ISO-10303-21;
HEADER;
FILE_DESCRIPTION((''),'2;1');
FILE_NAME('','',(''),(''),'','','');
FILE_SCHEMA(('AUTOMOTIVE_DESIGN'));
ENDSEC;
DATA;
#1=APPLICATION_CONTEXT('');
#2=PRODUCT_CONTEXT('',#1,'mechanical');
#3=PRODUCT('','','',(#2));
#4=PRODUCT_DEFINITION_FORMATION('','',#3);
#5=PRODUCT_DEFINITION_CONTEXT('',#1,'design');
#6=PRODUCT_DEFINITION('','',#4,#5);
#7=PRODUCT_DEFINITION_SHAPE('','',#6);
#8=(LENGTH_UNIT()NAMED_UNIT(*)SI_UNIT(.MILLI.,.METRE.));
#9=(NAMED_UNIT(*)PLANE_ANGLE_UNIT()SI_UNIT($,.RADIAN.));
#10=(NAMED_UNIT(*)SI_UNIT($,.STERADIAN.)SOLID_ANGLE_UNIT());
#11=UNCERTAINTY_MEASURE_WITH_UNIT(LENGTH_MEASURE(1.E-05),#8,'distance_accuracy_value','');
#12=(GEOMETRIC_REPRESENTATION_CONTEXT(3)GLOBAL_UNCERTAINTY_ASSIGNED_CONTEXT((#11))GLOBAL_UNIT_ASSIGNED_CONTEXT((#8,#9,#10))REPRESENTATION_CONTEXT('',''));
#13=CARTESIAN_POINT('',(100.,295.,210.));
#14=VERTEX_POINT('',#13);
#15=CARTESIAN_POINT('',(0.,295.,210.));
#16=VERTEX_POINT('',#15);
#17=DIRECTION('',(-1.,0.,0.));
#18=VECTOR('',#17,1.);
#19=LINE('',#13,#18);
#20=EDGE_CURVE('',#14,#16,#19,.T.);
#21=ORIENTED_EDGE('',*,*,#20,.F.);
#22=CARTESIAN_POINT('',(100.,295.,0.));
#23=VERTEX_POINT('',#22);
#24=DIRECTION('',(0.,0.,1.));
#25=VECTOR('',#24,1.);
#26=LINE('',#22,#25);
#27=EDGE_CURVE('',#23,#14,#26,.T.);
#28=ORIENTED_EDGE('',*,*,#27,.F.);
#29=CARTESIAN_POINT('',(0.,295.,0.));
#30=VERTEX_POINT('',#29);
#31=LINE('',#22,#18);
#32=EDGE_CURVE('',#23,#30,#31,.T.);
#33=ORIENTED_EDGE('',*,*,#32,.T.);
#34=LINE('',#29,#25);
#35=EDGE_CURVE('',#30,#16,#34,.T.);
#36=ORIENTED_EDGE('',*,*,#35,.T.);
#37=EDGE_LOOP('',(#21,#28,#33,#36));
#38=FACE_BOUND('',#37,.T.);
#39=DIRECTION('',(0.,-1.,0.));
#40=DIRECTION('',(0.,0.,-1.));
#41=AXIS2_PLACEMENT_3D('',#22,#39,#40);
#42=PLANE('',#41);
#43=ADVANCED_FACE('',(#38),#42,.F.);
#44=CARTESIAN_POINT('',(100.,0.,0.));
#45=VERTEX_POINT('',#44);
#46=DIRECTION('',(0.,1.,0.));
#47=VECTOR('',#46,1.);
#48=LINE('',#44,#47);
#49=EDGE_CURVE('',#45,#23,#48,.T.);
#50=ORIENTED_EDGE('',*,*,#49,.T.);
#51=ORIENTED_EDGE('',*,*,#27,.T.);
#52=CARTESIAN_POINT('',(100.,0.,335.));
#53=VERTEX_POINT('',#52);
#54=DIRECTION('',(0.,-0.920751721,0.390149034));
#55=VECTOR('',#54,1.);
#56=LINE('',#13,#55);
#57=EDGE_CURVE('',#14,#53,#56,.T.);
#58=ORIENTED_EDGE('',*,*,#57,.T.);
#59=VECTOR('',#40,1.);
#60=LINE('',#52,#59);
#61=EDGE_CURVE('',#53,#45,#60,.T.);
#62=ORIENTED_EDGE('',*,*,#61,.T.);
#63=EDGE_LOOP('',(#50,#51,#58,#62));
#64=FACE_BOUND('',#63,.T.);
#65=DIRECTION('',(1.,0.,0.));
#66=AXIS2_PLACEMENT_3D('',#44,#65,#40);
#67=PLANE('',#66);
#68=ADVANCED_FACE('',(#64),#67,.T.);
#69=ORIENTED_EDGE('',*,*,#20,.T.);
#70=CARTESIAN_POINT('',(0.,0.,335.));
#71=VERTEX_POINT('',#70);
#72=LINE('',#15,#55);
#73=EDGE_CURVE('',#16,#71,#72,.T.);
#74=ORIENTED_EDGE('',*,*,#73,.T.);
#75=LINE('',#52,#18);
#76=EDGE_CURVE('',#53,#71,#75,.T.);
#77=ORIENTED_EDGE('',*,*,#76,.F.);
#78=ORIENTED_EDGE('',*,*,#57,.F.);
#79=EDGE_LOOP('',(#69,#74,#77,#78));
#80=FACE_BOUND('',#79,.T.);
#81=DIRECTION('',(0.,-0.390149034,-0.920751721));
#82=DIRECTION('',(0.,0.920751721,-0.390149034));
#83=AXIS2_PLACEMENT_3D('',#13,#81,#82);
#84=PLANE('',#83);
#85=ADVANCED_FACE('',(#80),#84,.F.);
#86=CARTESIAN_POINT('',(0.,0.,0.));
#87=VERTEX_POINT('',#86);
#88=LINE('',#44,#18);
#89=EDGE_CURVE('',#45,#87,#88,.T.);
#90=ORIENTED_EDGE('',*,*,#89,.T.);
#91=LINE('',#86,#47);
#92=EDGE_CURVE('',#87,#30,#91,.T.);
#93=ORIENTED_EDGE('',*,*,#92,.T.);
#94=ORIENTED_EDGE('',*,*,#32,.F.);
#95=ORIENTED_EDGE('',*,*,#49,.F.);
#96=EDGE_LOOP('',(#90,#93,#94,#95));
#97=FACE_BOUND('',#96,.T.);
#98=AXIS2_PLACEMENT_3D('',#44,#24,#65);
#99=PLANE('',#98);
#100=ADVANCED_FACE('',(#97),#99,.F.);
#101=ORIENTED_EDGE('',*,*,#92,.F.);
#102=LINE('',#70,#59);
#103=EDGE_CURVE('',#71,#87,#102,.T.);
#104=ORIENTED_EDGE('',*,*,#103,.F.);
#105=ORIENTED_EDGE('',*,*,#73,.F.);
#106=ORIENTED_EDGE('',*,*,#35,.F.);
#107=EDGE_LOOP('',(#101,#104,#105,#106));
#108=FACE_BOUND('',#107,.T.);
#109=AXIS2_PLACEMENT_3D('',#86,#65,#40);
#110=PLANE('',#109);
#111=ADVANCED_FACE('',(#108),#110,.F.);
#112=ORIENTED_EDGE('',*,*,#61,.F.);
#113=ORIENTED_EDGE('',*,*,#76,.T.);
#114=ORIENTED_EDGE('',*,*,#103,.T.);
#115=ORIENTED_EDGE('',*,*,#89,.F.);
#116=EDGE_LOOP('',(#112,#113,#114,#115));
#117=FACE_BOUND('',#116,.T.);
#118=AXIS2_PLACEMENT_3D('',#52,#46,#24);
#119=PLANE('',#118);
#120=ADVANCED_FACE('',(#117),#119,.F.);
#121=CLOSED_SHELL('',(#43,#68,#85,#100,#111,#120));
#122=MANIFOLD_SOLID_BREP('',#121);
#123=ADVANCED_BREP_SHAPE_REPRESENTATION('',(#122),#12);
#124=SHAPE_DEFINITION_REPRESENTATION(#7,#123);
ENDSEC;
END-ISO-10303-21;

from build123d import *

# Parameters (mm, degrees)
BOSS_EXTRUDE1_DEPTH = 100


with BuildPart() as part:
    # Sketch1 → Boss-Extrude1 (new body)
    with BuildSketch(Plane(origin=(0, 0, 0), x_dir=(0, 0, -1), z_dir=(1, 0, 0))):
        Polygon((0, 0), (0, 295), (-210, 295), (-335, 0), align=None)
    extrude(amount=BOSS_EXTRUDE1_DEPTH)


solid = part.part
